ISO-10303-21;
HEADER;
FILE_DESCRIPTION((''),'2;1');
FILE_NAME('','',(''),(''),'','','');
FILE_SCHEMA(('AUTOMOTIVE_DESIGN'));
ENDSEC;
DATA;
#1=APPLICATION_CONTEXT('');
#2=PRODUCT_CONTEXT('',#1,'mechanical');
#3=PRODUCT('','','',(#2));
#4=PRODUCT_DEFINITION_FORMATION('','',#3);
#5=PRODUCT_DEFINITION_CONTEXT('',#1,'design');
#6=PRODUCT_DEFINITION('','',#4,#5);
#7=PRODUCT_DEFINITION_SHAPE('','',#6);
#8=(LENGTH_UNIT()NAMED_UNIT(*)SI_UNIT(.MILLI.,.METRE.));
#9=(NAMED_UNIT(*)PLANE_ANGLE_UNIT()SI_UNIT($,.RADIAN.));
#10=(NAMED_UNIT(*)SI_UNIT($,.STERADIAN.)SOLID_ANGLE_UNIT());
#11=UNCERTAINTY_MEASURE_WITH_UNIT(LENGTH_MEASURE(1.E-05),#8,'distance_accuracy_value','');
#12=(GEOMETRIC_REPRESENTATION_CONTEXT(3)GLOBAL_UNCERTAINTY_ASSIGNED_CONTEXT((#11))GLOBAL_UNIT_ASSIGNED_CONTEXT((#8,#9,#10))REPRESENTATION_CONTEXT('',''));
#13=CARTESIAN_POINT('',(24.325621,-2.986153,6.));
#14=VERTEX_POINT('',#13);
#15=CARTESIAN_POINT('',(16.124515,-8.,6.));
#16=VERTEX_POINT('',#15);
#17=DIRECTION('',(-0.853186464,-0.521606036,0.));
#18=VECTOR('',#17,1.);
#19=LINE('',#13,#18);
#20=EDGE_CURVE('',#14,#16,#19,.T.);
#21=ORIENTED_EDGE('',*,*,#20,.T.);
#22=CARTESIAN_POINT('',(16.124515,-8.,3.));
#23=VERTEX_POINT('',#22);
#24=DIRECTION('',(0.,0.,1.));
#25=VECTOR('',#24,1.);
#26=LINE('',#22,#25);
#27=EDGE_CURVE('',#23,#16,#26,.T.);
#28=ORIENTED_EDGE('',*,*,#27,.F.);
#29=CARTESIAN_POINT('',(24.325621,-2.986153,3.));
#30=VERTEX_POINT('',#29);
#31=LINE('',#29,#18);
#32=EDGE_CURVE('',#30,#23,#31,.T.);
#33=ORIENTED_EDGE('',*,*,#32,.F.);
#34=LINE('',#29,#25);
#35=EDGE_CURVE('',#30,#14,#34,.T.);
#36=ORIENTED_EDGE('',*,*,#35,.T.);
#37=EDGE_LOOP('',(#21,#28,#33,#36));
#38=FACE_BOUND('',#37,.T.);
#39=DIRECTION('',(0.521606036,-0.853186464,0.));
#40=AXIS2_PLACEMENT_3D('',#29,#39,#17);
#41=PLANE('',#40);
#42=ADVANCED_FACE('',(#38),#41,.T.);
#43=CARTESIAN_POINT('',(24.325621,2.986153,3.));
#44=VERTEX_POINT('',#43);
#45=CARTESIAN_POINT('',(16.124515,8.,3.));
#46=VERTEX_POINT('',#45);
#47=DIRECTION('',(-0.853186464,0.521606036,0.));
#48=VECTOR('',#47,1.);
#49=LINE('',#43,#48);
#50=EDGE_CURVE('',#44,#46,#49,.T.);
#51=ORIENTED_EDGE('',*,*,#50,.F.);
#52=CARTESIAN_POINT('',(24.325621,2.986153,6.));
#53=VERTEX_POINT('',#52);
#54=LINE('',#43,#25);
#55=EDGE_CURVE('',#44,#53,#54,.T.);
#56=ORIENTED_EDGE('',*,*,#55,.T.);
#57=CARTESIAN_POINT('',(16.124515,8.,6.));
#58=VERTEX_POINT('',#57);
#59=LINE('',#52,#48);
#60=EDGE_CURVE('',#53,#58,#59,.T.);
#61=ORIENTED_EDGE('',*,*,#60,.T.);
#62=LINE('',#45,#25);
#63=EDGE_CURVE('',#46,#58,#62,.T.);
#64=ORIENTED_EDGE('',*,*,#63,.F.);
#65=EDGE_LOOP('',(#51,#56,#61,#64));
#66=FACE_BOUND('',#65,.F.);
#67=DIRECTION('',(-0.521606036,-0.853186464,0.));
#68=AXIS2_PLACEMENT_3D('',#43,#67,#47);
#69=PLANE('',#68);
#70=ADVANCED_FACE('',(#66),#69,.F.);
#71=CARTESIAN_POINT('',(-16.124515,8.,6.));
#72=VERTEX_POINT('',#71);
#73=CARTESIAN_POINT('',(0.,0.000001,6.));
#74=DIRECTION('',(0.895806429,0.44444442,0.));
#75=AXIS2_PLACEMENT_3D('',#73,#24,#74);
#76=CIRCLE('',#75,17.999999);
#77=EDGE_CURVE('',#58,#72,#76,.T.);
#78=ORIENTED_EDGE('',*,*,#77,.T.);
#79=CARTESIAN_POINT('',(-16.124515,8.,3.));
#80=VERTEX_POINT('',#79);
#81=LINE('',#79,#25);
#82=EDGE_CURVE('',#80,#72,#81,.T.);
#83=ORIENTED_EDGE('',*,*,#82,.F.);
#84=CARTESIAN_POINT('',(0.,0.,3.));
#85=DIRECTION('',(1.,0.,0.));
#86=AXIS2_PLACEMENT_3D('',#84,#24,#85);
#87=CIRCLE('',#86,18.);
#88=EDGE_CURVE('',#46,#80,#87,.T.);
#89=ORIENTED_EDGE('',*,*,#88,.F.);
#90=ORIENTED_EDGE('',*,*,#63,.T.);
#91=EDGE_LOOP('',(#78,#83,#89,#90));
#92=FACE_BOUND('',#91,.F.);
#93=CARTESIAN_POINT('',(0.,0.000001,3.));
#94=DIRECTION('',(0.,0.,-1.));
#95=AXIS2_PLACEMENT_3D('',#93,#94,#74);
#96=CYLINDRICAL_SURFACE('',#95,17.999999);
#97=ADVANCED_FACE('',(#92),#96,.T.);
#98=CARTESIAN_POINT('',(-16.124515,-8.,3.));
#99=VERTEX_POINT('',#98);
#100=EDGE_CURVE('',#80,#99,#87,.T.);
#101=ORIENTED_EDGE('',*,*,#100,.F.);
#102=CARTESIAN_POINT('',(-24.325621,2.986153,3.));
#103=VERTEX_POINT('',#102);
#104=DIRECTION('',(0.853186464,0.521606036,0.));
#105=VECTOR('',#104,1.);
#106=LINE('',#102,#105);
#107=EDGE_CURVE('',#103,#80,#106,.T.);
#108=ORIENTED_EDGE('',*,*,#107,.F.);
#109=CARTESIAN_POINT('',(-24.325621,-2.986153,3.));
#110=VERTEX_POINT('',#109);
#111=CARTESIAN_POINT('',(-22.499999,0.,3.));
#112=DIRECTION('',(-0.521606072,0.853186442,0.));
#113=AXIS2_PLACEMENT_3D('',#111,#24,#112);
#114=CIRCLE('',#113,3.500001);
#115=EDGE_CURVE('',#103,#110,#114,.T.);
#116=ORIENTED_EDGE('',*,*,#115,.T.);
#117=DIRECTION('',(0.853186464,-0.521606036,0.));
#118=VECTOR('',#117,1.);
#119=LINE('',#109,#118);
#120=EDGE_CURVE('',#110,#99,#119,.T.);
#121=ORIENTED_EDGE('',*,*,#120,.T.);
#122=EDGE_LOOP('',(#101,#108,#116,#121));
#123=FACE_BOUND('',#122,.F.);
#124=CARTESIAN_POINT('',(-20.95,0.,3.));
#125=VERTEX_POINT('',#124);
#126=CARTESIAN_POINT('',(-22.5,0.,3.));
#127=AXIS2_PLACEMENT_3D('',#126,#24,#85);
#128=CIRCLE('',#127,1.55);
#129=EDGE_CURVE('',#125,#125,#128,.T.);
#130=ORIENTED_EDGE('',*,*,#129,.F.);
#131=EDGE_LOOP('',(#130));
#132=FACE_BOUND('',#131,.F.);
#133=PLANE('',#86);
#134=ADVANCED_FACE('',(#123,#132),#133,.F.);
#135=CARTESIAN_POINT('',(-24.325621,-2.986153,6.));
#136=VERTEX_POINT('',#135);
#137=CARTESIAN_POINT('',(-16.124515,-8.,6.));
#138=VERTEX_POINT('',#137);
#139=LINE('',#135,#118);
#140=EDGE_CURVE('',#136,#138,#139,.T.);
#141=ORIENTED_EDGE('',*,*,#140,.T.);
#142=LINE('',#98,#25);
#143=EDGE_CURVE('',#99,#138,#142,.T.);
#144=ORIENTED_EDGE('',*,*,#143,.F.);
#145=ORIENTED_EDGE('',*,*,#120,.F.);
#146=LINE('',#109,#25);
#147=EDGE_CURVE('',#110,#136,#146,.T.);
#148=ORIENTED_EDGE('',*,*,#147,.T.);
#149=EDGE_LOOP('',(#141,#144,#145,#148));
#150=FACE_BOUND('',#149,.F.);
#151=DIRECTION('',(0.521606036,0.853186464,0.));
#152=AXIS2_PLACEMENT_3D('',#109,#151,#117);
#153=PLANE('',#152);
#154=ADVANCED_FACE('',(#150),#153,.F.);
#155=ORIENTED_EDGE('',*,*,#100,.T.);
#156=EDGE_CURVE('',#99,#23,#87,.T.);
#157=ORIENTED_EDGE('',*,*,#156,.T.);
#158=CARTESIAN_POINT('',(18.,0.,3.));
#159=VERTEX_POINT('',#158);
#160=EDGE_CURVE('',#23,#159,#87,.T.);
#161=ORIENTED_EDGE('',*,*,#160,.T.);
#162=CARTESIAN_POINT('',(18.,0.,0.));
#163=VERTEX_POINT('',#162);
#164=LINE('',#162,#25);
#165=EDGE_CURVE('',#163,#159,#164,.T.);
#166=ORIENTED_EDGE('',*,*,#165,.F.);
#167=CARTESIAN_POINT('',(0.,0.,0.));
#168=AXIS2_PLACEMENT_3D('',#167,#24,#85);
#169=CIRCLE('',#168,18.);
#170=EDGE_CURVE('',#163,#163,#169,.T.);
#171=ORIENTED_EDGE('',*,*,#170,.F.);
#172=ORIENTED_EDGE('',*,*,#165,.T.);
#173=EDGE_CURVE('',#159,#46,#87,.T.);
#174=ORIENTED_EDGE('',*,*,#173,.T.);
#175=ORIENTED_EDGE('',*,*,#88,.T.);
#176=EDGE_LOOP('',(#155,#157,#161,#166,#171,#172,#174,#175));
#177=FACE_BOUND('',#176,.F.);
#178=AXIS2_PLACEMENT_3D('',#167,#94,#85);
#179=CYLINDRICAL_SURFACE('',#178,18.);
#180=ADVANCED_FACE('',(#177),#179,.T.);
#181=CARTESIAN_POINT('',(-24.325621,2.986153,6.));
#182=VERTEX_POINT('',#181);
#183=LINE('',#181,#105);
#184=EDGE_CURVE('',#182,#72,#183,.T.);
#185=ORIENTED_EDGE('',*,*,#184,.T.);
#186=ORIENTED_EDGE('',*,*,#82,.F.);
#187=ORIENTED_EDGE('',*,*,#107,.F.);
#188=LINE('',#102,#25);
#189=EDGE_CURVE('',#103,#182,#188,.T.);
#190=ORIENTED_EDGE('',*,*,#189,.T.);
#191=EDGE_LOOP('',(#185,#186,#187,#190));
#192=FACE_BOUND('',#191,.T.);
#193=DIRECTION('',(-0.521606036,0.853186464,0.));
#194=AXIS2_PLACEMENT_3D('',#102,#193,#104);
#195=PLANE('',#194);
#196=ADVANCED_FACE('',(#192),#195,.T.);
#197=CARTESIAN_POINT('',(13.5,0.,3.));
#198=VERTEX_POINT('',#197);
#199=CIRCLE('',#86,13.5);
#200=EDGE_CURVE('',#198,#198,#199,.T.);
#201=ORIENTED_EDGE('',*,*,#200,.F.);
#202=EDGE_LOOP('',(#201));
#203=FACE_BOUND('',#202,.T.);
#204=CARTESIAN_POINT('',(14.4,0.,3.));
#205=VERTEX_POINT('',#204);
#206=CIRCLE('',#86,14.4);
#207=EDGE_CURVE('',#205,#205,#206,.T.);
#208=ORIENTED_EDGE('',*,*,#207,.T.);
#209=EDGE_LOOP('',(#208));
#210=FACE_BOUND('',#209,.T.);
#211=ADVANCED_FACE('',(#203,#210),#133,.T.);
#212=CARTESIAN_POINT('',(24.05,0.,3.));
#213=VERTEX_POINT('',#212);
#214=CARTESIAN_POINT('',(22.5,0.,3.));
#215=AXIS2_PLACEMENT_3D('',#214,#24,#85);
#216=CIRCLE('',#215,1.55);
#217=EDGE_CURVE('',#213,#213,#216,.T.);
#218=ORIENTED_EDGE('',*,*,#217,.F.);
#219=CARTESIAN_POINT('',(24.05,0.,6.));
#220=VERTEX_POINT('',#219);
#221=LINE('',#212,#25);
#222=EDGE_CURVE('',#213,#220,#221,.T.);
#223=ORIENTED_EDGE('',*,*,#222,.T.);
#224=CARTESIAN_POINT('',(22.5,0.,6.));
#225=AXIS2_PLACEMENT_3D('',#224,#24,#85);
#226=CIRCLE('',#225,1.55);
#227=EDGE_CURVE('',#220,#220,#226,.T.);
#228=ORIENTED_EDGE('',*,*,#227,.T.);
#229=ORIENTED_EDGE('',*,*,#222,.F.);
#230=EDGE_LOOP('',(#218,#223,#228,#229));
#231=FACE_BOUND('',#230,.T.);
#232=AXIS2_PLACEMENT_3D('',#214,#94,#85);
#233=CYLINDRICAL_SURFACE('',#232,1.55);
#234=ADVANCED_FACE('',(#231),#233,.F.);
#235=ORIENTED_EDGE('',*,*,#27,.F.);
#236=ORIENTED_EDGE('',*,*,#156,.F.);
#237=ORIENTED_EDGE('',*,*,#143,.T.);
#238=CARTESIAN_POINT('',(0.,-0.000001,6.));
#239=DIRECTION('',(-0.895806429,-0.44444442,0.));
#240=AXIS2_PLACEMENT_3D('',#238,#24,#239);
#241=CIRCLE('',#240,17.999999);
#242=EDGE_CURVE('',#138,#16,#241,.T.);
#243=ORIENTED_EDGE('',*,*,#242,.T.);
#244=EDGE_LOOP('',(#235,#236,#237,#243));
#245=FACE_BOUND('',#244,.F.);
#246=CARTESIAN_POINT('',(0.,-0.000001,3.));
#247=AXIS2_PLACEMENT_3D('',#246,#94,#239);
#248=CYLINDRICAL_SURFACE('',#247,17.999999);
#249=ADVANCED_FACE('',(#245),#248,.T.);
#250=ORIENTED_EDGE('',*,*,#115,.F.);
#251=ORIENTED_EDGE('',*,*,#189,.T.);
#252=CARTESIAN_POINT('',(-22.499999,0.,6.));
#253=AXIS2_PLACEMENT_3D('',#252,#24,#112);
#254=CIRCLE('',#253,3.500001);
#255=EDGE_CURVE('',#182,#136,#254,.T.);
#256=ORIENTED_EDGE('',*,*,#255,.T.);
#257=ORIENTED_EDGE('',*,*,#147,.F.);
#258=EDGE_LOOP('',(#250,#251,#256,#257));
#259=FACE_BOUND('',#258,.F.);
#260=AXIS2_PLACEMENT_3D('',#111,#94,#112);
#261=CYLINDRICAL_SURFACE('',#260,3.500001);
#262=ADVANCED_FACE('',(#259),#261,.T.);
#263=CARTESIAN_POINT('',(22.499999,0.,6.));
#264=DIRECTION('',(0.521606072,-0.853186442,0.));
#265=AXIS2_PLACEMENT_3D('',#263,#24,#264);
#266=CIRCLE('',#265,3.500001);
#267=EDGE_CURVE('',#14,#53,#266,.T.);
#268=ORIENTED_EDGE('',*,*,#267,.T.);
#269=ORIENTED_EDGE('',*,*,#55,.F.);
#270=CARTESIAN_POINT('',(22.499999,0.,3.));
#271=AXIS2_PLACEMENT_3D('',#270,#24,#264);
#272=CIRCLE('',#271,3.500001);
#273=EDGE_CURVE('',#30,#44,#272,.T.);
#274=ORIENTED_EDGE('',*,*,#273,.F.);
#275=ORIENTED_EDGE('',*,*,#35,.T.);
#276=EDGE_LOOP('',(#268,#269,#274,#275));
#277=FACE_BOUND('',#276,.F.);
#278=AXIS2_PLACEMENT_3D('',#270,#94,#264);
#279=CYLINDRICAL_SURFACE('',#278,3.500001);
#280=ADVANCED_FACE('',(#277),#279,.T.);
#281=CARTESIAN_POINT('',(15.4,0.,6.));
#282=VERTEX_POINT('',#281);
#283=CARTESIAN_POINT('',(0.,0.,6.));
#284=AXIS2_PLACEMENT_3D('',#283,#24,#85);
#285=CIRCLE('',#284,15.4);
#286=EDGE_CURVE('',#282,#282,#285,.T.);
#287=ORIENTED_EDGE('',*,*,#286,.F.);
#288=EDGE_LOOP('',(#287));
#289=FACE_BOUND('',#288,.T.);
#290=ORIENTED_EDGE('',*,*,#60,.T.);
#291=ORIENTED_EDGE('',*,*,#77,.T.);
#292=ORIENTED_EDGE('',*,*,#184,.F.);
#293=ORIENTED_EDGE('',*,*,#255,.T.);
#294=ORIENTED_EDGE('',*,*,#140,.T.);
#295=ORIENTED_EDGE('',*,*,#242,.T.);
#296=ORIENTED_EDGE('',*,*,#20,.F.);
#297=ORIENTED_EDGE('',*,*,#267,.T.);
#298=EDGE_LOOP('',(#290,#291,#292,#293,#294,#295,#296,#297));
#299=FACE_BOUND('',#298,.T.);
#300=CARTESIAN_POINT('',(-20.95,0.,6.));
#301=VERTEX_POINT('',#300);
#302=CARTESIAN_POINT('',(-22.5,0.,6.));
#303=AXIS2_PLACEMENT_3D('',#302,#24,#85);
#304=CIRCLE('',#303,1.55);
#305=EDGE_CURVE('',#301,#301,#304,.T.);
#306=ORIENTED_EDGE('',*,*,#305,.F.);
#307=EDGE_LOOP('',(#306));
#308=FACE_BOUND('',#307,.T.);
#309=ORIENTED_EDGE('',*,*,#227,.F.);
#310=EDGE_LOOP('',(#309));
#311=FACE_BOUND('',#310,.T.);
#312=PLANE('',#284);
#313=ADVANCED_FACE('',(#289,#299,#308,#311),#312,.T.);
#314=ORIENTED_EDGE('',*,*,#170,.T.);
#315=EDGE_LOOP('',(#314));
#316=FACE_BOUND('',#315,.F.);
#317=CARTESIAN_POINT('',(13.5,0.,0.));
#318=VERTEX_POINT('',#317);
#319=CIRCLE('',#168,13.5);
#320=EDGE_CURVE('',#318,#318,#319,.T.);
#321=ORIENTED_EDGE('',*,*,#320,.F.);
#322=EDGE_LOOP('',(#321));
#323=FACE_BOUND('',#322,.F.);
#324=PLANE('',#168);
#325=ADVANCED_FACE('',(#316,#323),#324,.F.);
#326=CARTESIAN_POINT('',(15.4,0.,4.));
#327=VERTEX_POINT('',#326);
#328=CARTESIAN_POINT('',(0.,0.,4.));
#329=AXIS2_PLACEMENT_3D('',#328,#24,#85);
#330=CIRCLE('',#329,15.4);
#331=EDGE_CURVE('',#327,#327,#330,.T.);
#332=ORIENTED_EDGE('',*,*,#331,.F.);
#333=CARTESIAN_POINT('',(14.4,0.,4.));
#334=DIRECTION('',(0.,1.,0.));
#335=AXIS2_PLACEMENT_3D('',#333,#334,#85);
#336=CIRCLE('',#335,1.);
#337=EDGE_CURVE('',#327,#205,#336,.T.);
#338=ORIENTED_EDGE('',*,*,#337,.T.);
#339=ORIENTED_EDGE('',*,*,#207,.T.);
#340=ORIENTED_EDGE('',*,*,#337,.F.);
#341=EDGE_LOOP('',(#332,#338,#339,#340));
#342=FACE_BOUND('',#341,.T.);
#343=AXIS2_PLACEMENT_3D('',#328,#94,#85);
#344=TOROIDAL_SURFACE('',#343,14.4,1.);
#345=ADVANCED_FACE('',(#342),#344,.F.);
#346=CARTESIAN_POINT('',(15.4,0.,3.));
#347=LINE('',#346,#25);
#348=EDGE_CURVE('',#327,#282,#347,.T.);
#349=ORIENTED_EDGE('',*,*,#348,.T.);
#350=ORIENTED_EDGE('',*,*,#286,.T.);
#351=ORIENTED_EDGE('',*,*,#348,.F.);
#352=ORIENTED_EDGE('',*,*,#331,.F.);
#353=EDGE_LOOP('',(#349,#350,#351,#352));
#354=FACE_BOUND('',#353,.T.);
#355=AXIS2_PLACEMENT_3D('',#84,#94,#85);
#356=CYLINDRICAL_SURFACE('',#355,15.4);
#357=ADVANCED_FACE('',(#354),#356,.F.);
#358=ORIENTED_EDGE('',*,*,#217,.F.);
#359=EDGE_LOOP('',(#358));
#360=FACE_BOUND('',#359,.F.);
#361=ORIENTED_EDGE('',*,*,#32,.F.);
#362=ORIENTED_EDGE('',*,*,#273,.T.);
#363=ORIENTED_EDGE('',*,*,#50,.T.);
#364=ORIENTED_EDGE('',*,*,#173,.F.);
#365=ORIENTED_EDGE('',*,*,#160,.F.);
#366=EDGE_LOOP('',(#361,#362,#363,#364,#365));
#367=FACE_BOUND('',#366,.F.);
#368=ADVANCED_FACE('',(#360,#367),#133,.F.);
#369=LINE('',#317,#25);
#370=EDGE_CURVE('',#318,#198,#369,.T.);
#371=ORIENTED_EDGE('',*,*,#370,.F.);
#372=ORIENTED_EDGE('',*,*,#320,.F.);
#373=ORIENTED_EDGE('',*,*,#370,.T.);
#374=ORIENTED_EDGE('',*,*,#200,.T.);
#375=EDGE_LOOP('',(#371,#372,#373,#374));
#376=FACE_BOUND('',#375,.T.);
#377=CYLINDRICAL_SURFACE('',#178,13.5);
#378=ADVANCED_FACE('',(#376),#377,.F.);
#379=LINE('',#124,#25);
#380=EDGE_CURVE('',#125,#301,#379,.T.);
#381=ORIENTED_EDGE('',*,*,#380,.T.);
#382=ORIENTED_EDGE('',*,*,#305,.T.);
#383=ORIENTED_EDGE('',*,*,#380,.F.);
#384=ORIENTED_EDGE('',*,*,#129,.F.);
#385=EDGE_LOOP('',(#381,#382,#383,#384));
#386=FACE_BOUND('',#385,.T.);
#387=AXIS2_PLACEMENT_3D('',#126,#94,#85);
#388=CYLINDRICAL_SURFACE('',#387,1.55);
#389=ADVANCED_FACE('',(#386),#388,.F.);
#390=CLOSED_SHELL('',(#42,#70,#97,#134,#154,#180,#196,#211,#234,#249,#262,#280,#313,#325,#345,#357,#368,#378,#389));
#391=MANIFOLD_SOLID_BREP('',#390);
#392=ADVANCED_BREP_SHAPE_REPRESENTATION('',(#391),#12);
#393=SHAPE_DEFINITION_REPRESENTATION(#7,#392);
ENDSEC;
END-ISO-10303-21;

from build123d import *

# Parameters (mm, degrees)
SKETCH_R      = 18
SKETCH_R_2    = 13.5
PAD_DEPTH     = 3
SKETCH001_R   = 15.4
SKETCH001_R_2 = 1.55
PAD001_DEPTH  = 3
FILLET_R      = 1


with BuildPart() as part:
    # Sketch → Pad (new body)
    with BuildSketch(Plane.XY):
        Circle(SKETCH_R)
        Circle(SKETCH_R_2, mode=Mode.SUBTRACT)
    extrude(amount=PAD_DEPTH)

    # Sketch001 (on Face4 of Pad) → Pad001 (join)
    with BuildSketch(Plane.XY.offset(3)):
        with BuildLine():
            ThreePointArc((-16.124515, -8), (0, -18), (16.124515, -8))
            Line((24.325621, -2.986153), (16.124515, -8))
            ThreePointArc((24.325621, -2.986153), (26, 0), (24.325621, 2.986153))
            Line((24.325621, 2.986153), (16.124515, 8))
            ThreePointArc((16.124515, 8), (0, 18), (-16.124515, 8))
            Line((-24.325621, 2.986153), (-16.124515, 8))
            ThreePointArc((-24.325621, 2.986153), (-26, 0), (-24.325621, -2.986153))
            Line((-24.325621, -2.986153), (-16.124515, -8))
        make_face()
        Circle(SKETCH001_R, mode=Mode.SUBTRACT)
        with Locations((-22.5, 0)):
            Circle(SKETCH001_R_2, mode=Mode.SUBTRACT)
        with Locations((22.5, 0)):
            Circle(SKETCH001_R_2, mode=Mode.SUBTRACT)
    extrude(amount=PAD001_DEPTH)

    # Fillet
    fillet_edges = [part.edges().sort_by_distance(p)[0] for p in [
        (-15.4, 0, 3),
    ]]
    fillet(fillet_edges, radius=FILLET_R)


solid = part.part
